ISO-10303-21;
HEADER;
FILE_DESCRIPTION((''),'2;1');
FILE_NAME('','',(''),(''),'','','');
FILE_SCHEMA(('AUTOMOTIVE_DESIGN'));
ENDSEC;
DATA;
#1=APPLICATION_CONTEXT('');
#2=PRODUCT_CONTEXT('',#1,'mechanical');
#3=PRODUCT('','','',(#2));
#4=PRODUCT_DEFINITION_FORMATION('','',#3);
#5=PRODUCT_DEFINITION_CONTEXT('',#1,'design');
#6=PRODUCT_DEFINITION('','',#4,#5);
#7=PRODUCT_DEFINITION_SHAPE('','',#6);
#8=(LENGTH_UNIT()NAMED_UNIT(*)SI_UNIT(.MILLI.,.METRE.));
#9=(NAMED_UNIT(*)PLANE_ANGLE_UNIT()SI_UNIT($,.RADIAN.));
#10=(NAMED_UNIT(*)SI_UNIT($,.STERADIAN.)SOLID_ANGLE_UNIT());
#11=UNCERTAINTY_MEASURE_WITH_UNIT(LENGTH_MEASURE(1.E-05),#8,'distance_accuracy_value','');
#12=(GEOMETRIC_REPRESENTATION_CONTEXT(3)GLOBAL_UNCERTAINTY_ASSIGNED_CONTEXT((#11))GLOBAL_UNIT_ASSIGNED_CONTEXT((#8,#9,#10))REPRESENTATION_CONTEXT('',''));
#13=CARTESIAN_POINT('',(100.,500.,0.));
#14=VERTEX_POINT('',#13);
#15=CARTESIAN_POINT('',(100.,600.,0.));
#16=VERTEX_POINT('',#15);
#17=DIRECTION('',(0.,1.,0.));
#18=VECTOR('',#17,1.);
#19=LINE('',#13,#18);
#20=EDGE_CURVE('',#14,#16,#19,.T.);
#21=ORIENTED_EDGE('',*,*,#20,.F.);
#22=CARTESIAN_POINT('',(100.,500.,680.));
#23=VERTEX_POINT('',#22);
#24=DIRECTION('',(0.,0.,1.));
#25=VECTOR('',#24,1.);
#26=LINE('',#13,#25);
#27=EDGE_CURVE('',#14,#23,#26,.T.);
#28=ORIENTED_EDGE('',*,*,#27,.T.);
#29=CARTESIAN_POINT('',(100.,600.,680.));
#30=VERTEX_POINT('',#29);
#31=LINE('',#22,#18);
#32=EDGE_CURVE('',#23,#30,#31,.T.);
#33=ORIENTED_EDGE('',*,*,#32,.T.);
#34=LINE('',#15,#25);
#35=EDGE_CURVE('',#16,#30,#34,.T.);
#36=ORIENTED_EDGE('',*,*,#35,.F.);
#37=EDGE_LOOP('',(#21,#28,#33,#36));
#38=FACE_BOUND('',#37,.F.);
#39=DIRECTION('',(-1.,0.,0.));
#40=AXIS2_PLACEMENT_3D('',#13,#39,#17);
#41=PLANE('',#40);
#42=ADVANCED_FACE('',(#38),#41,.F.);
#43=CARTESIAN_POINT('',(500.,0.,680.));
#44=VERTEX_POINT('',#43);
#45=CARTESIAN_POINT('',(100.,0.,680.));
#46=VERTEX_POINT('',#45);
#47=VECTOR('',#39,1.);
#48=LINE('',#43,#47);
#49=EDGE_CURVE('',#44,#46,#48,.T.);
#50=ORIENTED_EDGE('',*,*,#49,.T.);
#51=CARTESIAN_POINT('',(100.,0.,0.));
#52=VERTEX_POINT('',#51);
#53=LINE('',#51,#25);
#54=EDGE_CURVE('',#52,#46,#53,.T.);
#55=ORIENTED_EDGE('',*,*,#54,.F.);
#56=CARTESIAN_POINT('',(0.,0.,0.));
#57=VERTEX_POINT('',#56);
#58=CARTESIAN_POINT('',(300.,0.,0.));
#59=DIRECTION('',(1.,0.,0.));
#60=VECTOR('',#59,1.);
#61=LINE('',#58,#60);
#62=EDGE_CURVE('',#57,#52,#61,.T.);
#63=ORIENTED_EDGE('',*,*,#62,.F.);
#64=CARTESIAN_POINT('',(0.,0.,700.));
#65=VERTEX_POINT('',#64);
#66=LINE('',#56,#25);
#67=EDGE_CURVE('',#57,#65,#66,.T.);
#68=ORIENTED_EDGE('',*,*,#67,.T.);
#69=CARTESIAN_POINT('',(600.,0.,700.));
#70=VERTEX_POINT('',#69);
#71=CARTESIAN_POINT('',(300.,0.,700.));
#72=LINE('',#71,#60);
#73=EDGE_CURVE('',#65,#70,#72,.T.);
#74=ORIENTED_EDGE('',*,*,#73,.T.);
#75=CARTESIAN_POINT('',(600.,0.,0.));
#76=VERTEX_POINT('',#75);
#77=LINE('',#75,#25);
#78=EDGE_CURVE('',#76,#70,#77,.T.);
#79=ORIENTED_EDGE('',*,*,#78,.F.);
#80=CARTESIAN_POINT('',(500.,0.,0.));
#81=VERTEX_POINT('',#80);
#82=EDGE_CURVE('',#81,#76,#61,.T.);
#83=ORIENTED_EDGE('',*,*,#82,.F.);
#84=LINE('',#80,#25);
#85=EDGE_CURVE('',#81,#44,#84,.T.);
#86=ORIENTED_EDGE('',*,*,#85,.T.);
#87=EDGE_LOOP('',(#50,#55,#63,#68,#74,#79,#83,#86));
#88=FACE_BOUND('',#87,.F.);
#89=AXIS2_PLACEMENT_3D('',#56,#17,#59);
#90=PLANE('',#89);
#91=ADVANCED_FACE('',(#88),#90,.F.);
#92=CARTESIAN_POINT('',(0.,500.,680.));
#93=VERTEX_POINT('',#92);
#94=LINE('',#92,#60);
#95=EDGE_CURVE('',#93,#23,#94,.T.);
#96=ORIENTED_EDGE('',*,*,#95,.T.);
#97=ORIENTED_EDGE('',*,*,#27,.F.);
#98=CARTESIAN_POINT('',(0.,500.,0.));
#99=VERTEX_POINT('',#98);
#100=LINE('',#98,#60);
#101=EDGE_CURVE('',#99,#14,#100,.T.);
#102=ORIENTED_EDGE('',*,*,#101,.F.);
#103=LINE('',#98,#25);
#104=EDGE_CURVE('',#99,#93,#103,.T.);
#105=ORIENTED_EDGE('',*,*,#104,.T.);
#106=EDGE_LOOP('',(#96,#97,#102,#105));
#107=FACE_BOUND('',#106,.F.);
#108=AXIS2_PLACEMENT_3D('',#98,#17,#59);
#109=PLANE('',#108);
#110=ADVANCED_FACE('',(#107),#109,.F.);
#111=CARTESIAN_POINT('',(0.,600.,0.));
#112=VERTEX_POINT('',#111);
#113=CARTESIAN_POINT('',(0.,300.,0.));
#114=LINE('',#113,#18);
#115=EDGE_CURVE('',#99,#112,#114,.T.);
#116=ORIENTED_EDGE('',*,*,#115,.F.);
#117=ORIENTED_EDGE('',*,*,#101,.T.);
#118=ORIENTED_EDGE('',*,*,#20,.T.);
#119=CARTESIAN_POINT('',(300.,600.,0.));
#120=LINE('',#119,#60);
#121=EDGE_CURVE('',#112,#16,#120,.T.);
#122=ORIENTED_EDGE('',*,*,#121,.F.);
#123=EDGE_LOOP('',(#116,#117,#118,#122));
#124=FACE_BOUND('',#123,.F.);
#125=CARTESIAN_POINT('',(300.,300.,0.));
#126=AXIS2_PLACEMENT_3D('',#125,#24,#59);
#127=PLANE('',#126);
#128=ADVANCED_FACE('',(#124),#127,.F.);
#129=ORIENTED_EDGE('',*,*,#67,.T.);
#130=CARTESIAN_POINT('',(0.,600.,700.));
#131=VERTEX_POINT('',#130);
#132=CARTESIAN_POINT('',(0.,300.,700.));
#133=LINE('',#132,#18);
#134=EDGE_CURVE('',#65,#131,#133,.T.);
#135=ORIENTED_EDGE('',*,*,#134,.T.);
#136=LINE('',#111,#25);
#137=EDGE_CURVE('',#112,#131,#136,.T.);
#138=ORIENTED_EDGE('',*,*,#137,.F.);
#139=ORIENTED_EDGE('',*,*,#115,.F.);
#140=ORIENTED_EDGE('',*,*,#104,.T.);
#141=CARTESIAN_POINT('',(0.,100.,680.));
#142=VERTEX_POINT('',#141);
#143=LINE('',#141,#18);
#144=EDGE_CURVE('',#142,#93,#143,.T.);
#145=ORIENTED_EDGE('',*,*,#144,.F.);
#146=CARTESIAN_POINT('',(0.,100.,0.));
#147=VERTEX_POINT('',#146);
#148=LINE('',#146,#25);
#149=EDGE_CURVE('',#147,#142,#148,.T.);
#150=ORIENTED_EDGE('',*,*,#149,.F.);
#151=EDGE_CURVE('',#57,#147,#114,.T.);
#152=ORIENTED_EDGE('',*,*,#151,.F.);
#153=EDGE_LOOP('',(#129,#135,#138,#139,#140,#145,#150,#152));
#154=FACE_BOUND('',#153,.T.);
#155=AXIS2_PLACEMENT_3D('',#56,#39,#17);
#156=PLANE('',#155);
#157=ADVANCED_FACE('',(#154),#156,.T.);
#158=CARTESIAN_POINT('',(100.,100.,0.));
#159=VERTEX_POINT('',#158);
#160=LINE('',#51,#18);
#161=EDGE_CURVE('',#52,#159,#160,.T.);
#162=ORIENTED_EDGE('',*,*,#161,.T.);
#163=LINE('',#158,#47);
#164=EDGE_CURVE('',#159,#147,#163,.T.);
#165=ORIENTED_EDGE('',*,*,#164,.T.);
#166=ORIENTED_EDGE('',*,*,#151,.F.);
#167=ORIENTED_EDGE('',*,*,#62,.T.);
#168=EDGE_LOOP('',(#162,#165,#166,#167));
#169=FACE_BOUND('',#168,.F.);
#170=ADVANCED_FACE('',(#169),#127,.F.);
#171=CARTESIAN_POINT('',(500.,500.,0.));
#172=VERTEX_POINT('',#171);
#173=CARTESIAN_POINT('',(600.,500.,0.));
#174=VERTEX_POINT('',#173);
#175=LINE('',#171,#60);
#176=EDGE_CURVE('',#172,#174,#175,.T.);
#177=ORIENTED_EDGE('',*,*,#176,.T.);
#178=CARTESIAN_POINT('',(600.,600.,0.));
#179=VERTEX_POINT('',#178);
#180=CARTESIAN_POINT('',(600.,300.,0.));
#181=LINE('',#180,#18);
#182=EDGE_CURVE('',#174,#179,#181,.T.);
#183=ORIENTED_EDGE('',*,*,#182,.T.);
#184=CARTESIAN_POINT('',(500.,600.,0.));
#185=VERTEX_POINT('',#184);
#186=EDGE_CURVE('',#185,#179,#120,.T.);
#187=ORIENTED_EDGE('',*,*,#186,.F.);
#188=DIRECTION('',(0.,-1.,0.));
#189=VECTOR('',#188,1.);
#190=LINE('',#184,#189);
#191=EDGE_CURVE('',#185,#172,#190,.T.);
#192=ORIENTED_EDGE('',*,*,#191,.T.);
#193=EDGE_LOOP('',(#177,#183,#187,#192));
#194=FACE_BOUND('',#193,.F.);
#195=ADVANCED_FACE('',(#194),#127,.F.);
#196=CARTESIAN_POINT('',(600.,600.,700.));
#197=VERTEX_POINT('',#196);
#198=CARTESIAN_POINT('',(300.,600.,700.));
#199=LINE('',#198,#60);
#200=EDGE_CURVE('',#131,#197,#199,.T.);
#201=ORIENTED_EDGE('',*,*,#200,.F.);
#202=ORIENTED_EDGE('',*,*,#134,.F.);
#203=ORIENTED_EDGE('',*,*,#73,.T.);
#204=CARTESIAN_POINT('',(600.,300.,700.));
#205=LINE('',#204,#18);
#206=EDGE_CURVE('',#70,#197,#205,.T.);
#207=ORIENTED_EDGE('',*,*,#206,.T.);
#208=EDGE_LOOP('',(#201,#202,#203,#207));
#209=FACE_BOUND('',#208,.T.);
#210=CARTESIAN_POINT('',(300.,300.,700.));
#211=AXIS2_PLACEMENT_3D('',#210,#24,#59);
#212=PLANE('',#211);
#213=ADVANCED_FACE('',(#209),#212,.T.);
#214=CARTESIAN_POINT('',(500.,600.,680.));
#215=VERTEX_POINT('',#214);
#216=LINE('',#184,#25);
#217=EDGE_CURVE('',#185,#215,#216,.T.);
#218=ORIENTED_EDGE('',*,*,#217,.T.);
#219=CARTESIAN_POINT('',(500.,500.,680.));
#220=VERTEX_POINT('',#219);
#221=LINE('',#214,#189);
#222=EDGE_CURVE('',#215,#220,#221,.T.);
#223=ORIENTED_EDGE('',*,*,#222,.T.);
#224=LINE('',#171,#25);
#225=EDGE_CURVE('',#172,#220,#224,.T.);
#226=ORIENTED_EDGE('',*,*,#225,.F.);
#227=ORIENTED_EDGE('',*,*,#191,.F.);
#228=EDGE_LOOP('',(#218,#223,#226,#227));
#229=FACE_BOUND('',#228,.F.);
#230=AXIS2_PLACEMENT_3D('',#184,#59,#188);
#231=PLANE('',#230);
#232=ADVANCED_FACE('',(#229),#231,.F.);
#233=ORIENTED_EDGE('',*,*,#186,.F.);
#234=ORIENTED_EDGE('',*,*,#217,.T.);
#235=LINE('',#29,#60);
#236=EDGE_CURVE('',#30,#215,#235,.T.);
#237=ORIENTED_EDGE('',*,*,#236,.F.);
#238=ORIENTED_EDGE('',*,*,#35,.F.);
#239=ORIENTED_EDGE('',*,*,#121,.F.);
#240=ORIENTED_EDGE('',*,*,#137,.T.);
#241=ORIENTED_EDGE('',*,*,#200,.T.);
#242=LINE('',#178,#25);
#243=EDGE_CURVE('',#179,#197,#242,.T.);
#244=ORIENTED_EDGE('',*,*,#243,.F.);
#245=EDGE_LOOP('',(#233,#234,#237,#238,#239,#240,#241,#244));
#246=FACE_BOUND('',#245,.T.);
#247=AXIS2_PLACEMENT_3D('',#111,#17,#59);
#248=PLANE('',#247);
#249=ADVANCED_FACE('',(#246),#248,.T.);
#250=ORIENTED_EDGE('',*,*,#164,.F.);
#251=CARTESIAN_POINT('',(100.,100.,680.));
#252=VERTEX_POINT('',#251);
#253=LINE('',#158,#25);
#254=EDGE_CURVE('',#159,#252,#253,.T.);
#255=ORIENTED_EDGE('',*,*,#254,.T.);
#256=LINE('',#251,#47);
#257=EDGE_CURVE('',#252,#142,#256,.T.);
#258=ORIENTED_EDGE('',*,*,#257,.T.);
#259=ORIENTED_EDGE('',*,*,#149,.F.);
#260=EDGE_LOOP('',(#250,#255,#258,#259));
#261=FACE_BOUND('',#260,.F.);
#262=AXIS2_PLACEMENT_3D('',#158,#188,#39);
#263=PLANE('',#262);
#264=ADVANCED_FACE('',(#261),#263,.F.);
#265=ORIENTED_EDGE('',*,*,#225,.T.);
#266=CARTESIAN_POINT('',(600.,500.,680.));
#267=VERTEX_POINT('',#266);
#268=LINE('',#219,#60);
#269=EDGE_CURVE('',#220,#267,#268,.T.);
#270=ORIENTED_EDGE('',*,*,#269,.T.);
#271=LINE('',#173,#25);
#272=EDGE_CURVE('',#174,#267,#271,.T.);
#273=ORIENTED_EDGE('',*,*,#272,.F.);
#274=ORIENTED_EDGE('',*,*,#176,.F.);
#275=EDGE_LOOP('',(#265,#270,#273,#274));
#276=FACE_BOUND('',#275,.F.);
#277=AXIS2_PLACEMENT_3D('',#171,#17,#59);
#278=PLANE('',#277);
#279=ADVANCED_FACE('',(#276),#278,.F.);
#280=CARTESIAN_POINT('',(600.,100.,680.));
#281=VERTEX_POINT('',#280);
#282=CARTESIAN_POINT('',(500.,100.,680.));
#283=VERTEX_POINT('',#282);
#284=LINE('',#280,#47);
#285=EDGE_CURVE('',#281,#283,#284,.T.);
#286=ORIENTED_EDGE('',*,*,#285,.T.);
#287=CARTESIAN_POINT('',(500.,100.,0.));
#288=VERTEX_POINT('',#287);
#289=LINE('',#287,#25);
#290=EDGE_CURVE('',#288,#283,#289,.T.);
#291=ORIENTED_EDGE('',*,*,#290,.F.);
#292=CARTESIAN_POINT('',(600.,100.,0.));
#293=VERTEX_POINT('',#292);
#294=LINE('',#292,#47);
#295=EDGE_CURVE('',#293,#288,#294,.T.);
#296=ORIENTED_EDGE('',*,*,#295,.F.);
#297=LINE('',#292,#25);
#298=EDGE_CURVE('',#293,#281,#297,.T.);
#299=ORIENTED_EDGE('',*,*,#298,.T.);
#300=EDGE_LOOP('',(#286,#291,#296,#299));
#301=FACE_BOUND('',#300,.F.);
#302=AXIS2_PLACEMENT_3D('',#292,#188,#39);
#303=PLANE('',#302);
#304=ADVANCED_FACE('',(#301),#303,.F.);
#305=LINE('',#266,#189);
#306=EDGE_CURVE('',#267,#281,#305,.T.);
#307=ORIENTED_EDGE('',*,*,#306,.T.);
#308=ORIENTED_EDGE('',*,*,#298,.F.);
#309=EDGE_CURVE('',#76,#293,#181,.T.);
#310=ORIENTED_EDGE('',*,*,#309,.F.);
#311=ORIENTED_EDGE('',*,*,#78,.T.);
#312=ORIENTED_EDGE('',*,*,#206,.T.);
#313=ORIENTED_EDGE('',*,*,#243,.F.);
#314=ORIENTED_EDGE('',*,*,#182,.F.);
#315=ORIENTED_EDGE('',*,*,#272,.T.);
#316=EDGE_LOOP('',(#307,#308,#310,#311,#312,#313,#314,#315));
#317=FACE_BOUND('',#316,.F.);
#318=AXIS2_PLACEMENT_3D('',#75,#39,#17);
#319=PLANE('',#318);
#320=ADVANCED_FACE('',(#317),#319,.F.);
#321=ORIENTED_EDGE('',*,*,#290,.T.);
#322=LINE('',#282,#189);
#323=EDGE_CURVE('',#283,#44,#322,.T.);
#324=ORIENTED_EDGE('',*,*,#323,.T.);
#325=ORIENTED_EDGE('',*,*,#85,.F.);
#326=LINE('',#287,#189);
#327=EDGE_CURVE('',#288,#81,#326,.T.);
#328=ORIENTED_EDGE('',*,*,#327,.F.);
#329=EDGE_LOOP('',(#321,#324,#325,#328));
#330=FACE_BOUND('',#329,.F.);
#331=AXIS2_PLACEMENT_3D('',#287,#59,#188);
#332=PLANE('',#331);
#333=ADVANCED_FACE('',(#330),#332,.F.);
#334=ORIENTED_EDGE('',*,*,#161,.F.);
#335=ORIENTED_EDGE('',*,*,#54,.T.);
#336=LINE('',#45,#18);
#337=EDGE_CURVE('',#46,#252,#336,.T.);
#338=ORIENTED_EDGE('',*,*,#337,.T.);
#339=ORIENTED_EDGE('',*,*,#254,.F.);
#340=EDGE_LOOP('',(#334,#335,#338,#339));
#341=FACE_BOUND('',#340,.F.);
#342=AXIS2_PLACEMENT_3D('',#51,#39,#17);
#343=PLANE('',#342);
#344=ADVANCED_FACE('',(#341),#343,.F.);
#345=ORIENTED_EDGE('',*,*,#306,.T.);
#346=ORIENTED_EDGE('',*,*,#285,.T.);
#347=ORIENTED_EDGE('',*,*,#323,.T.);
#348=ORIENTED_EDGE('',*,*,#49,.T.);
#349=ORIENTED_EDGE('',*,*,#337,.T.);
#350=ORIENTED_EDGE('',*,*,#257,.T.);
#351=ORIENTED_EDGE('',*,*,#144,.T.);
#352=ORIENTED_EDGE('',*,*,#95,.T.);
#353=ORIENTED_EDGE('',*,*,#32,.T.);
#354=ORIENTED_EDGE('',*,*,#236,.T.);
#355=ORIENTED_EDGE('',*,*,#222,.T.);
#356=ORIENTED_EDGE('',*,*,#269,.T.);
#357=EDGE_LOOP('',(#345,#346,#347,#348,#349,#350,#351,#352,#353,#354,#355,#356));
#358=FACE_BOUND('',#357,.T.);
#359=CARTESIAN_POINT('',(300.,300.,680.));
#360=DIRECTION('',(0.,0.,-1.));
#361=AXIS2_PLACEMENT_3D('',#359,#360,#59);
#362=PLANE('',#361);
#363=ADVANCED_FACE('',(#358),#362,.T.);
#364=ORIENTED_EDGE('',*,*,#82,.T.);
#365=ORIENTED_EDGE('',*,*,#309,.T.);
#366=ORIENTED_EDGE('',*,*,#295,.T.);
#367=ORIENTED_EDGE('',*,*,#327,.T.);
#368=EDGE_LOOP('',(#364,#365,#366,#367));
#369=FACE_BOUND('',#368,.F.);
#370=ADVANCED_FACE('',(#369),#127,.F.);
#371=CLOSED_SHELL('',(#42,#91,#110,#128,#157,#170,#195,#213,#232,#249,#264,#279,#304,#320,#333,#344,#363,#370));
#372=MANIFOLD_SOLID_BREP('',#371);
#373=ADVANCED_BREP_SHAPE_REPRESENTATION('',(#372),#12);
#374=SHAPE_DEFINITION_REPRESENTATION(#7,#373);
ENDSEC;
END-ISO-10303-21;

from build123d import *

# Parameters (mm, degrees)
F0_W     = 600
F0_H     = 600
F1_DEPTH = 700
F3_DEPTH = 680


with BuildPart() as f1:
    # F0 (on Top) → F1 (new body)
    with BuildSketch(Plane.XY):
        with Locations((300, 300)):
            Rectangle(F0_W, F0_H)
    extrude(amount=F1_DEPTH)

    # F2 (on face) → F3 (cut)
    with BuildSketch(Plane(origin=(0, 0, 0), x_dir=(1, 0, 0), z_dir=(0, 0, -1))):
        Polygon((500, 0), (100, 0), (100, -100), (0, -100), (0, -500), (100, -500), (100, -600), (500, -600), (500, -500), (600, -500), (600, -100), (500, -100), align=None)
    extrude(amount=-F3_DEPTH, mode=Mode.SUBTRACT)


solid = f1.part
